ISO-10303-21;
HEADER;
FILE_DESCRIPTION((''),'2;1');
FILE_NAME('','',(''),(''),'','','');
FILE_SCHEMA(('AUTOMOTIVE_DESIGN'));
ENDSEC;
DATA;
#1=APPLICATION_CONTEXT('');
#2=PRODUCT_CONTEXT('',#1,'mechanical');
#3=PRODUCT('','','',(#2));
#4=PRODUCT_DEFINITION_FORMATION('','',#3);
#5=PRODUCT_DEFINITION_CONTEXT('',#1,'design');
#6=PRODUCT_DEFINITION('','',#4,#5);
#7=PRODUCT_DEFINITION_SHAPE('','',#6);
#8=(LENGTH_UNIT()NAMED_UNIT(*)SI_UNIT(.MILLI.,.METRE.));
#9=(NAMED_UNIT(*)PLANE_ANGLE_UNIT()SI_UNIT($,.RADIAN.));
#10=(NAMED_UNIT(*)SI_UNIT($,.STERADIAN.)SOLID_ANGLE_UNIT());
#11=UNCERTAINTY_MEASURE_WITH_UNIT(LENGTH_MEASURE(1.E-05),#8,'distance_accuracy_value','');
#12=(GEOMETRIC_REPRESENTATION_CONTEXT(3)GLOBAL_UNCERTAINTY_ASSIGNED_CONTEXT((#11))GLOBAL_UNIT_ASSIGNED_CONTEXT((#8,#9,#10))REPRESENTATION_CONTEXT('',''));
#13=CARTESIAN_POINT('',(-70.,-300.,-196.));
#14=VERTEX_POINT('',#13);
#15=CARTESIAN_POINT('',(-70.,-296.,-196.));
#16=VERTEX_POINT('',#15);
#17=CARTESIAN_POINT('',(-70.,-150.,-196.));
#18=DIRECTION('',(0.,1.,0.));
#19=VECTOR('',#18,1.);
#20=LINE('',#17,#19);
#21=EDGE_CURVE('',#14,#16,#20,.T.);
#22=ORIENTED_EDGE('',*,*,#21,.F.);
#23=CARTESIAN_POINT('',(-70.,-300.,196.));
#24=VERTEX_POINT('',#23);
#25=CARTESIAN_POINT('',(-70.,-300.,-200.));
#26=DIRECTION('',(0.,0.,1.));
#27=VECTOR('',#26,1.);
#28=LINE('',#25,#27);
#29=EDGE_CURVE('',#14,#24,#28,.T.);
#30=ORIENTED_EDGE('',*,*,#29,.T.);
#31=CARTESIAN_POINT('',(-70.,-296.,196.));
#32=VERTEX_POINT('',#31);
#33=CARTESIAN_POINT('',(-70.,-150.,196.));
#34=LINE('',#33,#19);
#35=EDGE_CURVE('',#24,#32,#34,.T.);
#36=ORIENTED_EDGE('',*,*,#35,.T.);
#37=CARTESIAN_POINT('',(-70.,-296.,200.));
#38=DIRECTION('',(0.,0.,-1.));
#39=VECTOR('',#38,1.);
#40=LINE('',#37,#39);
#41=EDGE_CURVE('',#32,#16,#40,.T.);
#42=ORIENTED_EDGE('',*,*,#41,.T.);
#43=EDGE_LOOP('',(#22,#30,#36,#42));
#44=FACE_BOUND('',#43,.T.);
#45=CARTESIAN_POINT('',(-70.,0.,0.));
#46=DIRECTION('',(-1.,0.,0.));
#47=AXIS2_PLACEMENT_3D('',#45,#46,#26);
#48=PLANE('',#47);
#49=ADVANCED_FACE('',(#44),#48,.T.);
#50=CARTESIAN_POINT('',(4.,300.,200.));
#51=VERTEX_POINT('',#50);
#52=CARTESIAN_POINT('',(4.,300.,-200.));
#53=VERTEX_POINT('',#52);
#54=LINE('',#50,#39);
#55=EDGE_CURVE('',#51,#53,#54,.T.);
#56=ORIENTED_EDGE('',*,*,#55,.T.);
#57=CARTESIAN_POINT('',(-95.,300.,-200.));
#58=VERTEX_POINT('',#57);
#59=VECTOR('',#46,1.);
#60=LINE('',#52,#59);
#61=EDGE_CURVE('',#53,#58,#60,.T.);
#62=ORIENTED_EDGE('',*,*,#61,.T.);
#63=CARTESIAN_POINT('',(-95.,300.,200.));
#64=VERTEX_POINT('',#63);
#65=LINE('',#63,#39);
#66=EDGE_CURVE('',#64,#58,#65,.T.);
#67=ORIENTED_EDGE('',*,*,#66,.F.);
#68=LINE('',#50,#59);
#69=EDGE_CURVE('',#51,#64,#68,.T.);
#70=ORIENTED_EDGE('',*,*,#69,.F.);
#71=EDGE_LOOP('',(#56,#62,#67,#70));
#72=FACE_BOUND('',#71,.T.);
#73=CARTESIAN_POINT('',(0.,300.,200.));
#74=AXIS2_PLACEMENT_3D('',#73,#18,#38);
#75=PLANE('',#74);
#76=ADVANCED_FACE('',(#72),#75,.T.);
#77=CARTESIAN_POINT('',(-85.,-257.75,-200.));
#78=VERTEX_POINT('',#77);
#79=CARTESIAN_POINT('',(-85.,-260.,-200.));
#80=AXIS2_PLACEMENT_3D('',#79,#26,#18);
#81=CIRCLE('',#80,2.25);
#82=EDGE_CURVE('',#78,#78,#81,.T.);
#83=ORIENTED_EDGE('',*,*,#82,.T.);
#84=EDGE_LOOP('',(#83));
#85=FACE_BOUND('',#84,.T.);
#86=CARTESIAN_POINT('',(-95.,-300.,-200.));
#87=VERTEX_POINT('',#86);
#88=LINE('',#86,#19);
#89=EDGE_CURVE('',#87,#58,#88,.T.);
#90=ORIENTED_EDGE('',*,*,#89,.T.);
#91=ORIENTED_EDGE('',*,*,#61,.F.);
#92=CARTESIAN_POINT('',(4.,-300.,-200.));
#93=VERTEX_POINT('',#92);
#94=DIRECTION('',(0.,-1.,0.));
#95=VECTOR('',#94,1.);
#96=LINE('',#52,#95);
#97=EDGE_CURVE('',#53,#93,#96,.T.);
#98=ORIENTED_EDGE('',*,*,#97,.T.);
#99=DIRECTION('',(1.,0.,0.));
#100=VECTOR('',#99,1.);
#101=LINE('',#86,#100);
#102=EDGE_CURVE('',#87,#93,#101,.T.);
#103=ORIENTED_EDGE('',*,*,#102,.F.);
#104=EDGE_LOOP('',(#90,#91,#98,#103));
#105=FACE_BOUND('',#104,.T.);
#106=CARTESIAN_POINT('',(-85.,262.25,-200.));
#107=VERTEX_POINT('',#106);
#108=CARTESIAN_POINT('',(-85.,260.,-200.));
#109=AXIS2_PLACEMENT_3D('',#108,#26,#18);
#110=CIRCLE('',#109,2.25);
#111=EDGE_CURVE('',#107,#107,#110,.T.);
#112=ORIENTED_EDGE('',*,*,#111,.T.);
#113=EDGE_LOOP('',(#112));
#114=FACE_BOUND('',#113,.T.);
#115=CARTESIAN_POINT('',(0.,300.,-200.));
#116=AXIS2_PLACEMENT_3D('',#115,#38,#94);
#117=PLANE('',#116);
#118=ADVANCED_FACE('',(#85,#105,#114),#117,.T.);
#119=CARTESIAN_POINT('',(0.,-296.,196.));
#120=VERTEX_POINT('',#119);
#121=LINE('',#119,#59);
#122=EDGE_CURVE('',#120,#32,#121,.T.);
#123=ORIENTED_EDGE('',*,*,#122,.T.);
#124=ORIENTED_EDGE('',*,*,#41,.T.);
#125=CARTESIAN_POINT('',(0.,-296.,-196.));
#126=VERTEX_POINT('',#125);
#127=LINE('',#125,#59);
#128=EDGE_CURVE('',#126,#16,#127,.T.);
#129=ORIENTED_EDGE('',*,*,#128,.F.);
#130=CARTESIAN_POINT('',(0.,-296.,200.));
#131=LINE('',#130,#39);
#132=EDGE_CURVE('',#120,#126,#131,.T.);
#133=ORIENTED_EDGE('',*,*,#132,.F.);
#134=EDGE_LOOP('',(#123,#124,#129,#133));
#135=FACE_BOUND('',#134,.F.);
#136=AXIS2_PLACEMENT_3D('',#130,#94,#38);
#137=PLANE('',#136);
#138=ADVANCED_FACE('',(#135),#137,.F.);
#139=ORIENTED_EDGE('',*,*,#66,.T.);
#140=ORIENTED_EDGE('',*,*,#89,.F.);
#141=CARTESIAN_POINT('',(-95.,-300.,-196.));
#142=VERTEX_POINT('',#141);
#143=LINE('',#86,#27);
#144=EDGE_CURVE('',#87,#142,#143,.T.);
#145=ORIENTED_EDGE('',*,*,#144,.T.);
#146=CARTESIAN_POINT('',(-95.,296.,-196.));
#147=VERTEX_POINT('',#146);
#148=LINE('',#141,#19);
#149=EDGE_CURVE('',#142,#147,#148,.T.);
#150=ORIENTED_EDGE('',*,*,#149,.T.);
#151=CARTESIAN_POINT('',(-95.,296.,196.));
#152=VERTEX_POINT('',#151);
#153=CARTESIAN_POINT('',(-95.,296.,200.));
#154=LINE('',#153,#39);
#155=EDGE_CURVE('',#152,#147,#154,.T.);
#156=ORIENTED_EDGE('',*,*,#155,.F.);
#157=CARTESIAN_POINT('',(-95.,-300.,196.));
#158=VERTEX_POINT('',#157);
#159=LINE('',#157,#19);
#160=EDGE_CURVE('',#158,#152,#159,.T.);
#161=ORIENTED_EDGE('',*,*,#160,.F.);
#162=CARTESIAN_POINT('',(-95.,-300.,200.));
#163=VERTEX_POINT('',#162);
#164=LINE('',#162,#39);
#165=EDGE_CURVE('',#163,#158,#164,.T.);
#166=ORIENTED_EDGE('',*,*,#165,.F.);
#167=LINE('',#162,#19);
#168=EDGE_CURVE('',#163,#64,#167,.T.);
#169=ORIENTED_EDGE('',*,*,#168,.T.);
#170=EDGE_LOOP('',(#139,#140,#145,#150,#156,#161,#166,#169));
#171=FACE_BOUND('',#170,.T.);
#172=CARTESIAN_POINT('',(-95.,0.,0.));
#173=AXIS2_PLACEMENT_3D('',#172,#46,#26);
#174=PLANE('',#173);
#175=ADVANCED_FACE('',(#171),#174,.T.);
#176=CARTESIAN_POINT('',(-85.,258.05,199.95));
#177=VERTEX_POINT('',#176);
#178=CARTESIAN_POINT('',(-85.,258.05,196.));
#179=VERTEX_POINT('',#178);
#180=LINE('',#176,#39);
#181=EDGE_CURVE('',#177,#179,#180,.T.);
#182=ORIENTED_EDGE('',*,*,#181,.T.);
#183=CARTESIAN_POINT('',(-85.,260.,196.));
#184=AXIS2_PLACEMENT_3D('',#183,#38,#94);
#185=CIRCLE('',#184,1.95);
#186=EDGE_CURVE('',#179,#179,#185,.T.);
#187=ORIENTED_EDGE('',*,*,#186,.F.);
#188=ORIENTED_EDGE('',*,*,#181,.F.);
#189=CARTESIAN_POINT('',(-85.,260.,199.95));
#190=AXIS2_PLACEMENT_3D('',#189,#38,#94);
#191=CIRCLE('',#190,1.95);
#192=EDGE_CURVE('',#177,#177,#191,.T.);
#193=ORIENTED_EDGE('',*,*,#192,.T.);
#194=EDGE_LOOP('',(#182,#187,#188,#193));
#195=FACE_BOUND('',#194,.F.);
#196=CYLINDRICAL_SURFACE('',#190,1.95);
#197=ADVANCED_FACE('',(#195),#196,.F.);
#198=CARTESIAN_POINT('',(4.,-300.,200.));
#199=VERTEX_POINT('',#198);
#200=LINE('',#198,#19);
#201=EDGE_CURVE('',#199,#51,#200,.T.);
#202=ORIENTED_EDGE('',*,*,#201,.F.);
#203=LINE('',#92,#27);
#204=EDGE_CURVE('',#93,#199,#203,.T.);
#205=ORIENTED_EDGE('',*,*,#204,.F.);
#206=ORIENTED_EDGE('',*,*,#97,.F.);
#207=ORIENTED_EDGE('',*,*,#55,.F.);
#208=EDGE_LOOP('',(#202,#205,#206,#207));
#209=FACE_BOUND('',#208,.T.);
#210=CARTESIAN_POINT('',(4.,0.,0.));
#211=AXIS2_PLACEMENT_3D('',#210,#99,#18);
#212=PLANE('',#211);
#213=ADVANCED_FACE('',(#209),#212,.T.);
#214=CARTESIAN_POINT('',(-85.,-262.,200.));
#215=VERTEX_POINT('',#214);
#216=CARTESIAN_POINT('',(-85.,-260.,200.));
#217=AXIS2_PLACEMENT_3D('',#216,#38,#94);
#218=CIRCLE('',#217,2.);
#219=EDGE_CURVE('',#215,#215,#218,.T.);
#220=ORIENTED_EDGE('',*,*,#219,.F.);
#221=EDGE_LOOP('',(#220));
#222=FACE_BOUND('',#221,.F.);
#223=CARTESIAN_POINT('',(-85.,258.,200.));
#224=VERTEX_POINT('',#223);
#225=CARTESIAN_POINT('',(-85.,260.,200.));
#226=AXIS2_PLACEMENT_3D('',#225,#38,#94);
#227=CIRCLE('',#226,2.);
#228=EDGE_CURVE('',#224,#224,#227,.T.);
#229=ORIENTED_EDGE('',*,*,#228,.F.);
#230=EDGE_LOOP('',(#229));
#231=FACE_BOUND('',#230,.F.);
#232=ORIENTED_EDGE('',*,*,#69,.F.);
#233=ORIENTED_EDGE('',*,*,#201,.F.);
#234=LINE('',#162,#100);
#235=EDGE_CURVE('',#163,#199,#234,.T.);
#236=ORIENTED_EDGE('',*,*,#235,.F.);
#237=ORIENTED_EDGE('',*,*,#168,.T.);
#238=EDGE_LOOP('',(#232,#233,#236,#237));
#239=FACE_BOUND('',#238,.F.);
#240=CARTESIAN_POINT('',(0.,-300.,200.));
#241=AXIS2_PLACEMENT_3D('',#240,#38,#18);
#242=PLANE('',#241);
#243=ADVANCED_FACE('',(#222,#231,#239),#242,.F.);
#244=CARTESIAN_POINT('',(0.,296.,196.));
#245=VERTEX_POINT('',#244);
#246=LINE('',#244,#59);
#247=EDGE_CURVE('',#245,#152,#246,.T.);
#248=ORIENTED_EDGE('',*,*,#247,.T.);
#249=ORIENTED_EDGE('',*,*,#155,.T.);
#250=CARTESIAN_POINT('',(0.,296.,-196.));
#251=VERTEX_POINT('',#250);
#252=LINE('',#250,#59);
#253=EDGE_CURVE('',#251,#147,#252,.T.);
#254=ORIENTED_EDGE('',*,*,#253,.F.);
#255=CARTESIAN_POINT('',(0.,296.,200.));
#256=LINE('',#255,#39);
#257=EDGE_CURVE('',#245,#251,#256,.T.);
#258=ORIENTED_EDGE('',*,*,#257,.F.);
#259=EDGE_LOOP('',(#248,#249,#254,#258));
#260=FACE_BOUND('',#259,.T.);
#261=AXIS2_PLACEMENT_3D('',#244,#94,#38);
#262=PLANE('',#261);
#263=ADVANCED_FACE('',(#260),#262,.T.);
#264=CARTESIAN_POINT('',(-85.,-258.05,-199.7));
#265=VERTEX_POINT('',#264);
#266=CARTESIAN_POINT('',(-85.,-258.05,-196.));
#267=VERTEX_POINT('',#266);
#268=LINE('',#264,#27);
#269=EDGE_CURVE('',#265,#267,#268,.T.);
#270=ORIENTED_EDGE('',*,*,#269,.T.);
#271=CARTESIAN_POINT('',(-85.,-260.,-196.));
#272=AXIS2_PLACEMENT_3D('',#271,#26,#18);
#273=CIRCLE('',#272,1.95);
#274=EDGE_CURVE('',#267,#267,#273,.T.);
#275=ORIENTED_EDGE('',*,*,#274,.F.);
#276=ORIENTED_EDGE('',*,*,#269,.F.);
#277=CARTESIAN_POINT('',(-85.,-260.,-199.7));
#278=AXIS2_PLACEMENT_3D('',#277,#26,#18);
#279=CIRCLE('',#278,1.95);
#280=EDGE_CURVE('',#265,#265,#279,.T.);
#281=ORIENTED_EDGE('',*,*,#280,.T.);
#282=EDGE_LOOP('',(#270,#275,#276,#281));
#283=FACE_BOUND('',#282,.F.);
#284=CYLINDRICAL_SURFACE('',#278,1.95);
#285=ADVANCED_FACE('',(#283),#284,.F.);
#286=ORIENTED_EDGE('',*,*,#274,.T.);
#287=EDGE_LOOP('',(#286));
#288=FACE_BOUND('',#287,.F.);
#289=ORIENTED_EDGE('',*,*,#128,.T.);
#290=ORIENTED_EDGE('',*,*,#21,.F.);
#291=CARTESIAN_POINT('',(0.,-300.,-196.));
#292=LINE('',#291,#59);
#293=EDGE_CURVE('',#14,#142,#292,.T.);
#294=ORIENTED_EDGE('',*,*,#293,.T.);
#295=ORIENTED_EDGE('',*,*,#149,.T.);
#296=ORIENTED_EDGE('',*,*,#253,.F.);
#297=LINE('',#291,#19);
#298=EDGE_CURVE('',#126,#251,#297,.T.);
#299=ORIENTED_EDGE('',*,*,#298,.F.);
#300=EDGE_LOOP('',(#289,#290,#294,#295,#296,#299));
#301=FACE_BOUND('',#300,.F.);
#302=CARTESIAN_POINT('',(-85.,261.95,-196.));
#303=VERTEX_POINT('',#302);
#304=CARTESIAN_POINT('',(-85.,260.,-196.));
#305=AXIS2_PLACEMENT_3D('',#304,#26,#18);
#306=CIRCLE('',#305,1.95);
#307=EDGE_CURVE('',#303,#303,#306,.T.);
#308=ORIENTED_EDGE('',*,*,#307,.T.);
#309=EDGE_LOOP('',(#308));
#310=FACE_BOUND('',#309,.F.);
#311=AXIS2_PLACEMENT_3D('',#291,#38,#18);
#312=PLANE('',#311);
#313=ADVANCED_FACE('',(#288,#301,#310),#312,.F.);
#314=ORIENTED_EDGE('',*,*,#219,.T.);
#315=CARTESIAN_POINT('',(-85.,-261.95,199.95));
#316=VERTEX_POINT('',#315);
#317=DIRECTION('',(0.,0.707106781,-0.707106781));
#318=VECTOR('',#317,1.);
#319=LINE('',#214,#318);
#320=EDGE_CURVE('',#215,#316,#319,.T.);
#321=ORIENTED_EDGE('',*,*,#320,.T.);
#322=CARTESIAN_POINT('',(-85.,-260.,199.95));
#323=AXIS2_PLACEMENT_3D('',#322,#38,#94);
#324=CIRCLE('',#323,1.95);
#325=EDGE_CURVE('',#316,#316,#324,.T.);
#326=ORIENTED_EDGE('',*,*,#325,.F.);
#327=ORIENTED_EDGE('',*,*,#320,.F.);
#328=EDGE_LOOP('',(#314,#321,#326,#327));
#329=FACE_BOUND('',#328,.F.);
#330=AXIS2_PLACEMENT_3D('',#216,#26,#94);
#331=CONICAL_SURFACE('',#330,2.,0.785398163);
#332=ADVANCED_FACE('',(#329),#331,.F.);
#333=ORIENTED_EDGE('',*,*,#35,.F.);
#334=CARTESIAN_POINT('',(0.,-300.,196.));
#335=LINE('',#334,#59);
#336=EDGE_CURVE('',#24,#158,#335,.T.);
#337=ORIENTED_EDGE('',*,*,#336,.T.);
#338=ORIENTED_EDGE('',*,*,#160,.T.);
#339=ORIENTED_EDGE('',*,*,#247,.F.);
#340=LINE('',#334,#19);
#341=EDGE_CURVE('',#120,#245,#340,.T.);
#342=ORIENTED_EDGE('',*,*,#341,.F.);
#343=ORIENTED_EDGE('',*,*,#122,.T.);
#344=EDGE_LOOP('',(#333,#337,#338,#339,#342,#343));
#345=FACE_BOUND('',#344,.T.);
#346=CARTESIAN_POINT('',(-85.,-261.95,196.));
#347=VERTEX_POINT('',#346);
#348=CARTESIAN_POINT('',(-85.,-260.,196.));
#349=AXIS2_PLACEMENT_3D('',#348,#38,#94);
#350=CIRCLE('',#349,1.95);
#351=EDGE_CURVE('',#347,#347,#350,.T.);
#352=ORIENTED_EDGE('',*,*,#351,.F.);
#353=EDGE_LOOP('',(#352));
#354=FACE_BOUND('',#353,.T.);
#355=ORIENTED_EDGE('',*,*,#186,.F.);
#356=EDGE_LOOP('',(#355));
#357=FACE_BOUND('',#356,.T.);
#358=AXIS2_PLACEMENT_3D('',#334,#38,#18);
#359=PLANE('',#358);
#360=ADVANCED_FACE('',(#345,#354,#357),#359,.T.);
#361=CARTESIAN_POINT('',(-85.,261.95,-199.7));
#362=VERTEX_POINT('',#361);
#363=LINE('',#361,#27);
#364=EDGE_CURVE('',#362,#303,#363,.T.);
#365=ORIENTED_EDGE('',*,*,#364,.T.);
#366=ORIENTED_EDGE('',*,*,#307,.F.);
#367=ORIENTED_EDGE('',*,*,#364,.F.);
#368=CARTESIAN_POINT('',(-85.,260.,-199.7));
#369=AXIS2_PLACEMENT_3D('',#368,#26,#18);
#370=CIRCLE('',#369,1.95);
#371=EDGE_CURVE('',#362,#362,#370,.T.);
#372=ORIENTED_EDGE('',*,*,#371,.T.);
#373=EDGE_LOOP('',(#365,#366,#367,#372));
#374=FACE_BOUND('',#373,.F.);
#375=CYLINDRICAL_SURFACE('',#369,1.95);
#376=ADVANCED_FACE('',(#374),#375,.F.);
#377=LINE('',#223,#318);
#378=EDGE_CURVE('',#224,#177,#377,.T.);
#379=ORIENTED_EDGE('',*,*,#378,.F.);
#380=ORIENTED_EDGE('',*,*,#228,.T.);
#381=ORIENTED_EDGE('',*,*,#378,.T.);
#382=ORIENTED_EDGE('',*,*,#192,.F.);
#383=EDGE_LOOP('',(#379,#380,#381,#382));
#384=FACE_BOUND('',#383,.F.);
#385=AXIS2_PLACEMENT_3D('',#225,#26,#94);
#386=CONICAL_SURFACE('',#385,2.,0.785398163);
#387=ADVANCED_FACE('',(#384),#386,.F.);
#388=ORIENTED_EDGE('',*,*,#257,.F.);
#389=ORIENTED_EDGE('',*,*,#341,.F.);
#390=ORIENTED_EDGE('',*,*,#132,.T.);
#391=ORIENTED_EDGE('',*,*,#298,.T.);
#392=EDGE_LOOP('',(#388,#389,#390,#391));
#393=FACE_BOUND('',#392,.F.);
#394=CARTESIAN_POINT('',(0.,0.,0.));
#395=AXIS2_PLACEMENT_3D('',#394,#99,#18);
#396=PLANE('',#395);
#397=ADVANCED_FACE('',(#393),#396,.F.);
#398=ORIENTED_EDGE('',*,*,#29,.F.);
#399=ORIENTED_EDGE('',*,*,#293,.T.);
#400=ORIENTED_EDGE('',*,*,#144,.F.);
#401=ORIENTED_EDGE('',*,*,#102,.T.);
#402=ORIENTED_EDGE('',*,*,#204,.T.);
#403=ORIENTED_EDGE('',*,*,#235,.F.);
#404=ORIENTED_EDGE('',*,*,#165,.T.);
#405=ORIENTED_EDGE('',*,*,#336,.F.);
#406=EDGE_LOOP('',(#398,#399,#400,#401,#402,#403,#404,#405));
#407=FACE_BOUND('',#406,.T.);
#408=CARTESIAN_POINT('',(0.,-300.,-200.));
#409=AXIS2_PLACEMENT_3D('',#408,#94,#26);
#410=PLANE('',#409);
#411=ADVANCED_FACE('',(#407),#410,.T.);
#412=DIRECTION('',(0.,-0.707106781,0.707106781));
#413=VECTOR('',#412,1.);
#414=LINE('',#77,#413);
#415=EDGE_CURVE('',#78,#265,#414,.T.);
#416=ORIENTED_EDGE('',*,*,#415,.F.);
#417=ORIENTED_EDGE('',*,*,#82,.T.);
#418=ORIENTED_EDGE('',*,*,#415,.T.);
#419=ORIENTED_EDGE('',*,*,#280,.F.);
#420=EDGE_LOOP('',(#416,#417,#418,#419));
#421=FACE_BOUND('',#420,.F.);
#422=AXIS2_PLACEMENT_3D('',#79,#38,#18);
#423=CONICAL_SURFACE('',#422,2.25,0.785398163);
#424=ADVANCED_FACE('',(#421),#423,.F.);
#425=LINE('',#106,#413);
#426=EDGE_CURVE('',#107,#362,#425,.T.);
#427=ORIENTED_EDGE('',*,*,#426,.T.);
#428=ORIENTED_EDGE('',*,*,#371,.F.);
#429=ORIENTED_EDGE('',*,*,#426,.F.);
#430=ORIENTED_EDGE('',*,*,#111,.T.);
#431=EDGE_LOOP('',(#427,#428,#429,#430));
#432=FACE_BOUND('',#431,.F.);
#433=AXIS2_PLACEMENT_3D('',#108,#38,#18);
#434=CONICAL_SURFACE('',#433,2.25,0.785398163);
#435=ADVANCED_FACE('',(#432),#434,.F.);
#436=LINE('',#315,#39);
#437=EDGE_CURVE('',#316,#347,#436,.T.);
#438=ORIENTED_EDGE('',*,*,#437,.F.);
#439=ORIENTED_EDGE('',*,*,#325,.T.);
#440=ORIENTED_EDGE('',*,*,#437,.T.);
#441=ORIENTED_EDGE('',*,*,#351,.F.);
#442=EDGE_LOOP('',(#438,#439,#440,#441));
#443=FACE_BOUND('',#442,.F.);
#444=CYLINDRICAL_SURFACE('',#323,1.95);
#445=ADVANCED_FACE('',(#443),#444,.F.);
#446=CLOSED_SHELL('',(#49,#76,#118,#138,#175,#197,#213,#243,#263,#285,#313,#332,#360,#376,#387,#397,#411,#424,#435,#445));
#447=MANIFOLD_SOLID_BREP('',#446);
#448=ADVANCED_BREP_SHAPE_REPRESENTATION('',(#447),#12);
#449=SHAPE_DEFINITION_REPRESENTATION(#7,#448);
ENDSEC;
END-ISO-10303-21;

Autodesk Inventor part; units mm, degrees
ref_plane "YZ Plane" through (0, 0, 0) normal (1, 0, 0) x (0, 1, 0)
ref_plane "XZ Plane" through (0, 0, 0) normal (0, 1, 0) x (-1, 0, 0)
ref_plane "XY Plane" through (0, 0, 0) normal (0, 0, 1) x (1, 0, 0)
sketch "Эскиз1" plane through (0, 0, 0) normal (1, 0, 0) x (0, 1, 0)
  line L0 (-300, 200) -> (300, 200)
  line L1 (300, 200) -> (300, -200)
  line L2 (300, -200) -> (-300, -200)
  line L3 (-300, -200) -> (-300, 200)
  line L4 (-300, 200) -> (300, -200) construction
  line L5 (300, 200) -> (-300, -200) construction
  point P0 (0, 0)
  dimension "d0" = 400
  dimension "d1" = 600
extrude "Выдавливание1" add sketch "Эскиз1" along normal blind 4
sketch "Эскиз2" plane through (0, 0, 0) normal (-1, 0, 0) x (0, 0, 1)
  line L0 (-200, -300) -> (-200, 300) projected
  line L1 (-200, 300) -> (200, 300) projected
  line L2 (-200, -300) -> (-196, -300)
  line L3 (-196, -300) -> (-196, 300)
  line L4 (-196, 300) -> (-200, 300)
  line L5 (-200, 300) -> (-200, -300)
  line L6 (200, 300) -> (200, -300) projected
  line L7 (-200, 300) -> (200, 300)
  line L8 (200, 300) -> (200, 296)
  line L9 (200, 296) -> (-200, 296)
  line L10 (-200, 296) -> (-200, 300)
  line L11 (200, -300) -> (196, -300)
  line L12 (196, -300) -> (196, 300)
  line L13 (196, 300) -> (200, 300)
  line L14 (200, 300) -> (200, -300)
  point P0 (0, 0)
  point P1 (-196, 296)
  point P2 (196, 296)
  dimension "d4" = 4
  dimension "d5" = 4
  dimension "d6" = 4
extrude "Выдавливание2" add sketch "Эскиз2" along normal blind 95
sketch "Эскиз3" plane through (0, 0, 0) normal (-1, 0, 0) x (0, 0, 1)
  line L0 (-200, 300) -> (-200, -300) projected
  line L1 (200, -300) -> (200, 300) projected
  line L2 (-200, -300) -> (200, -300)
  line L3 (200, -300) -> (200, -296)
  line L4 (200, -296) -> (-200, -296)
  line L5 (-200, -296) -> (-200, -300)
  point P0 (0, 0)
  point P1 (-200, -296)
  dimension "d10" = 4
extrude "Выдавливание3" add sketch "Эскиз3" along normal blind 70
sketch "Эскиз4" plane through (4, -300, -200) normal (0, 0, -1) x (-1, 0, 0)
  line L0 (4, 300) -> (99, 300) construction
  line L1 (99, 0) -> (99, 600) projected
  line L2 (0, 0) -> (99, 0) projected
  point P0 (89, 560)
  point P1 (89, 40)
  dimension "d13" = 10
  dimension "d14" = 40
hole "Отверстие1" at (-85, 260, -200) at (-85, -260, -200) direction (0, 0, 1) diameter 3.9 depth 6 countersink diameter 4.5 countersink angle 90
sketch "Эскиз5" plane through (4, -300, 200) normal (0, 0, 1) x (1, 0, 0)
  circle A0 centre (-89, 560) radius 2.25 projected
  circle A1 centre (-89, 40) radius 2.25 projected
  point P0 (-4, 300)
hole "Отверстие2" at (-85, 260, 200) at (-85, -260, 200) direction (0, 0, -1) diameter 3.9 depth 6 countersink diameter 4 countersink angle 90
equation "\"d5\" = d4"
equation "\"d6\" = d4"
properties part number "Стеклянная крышка"
